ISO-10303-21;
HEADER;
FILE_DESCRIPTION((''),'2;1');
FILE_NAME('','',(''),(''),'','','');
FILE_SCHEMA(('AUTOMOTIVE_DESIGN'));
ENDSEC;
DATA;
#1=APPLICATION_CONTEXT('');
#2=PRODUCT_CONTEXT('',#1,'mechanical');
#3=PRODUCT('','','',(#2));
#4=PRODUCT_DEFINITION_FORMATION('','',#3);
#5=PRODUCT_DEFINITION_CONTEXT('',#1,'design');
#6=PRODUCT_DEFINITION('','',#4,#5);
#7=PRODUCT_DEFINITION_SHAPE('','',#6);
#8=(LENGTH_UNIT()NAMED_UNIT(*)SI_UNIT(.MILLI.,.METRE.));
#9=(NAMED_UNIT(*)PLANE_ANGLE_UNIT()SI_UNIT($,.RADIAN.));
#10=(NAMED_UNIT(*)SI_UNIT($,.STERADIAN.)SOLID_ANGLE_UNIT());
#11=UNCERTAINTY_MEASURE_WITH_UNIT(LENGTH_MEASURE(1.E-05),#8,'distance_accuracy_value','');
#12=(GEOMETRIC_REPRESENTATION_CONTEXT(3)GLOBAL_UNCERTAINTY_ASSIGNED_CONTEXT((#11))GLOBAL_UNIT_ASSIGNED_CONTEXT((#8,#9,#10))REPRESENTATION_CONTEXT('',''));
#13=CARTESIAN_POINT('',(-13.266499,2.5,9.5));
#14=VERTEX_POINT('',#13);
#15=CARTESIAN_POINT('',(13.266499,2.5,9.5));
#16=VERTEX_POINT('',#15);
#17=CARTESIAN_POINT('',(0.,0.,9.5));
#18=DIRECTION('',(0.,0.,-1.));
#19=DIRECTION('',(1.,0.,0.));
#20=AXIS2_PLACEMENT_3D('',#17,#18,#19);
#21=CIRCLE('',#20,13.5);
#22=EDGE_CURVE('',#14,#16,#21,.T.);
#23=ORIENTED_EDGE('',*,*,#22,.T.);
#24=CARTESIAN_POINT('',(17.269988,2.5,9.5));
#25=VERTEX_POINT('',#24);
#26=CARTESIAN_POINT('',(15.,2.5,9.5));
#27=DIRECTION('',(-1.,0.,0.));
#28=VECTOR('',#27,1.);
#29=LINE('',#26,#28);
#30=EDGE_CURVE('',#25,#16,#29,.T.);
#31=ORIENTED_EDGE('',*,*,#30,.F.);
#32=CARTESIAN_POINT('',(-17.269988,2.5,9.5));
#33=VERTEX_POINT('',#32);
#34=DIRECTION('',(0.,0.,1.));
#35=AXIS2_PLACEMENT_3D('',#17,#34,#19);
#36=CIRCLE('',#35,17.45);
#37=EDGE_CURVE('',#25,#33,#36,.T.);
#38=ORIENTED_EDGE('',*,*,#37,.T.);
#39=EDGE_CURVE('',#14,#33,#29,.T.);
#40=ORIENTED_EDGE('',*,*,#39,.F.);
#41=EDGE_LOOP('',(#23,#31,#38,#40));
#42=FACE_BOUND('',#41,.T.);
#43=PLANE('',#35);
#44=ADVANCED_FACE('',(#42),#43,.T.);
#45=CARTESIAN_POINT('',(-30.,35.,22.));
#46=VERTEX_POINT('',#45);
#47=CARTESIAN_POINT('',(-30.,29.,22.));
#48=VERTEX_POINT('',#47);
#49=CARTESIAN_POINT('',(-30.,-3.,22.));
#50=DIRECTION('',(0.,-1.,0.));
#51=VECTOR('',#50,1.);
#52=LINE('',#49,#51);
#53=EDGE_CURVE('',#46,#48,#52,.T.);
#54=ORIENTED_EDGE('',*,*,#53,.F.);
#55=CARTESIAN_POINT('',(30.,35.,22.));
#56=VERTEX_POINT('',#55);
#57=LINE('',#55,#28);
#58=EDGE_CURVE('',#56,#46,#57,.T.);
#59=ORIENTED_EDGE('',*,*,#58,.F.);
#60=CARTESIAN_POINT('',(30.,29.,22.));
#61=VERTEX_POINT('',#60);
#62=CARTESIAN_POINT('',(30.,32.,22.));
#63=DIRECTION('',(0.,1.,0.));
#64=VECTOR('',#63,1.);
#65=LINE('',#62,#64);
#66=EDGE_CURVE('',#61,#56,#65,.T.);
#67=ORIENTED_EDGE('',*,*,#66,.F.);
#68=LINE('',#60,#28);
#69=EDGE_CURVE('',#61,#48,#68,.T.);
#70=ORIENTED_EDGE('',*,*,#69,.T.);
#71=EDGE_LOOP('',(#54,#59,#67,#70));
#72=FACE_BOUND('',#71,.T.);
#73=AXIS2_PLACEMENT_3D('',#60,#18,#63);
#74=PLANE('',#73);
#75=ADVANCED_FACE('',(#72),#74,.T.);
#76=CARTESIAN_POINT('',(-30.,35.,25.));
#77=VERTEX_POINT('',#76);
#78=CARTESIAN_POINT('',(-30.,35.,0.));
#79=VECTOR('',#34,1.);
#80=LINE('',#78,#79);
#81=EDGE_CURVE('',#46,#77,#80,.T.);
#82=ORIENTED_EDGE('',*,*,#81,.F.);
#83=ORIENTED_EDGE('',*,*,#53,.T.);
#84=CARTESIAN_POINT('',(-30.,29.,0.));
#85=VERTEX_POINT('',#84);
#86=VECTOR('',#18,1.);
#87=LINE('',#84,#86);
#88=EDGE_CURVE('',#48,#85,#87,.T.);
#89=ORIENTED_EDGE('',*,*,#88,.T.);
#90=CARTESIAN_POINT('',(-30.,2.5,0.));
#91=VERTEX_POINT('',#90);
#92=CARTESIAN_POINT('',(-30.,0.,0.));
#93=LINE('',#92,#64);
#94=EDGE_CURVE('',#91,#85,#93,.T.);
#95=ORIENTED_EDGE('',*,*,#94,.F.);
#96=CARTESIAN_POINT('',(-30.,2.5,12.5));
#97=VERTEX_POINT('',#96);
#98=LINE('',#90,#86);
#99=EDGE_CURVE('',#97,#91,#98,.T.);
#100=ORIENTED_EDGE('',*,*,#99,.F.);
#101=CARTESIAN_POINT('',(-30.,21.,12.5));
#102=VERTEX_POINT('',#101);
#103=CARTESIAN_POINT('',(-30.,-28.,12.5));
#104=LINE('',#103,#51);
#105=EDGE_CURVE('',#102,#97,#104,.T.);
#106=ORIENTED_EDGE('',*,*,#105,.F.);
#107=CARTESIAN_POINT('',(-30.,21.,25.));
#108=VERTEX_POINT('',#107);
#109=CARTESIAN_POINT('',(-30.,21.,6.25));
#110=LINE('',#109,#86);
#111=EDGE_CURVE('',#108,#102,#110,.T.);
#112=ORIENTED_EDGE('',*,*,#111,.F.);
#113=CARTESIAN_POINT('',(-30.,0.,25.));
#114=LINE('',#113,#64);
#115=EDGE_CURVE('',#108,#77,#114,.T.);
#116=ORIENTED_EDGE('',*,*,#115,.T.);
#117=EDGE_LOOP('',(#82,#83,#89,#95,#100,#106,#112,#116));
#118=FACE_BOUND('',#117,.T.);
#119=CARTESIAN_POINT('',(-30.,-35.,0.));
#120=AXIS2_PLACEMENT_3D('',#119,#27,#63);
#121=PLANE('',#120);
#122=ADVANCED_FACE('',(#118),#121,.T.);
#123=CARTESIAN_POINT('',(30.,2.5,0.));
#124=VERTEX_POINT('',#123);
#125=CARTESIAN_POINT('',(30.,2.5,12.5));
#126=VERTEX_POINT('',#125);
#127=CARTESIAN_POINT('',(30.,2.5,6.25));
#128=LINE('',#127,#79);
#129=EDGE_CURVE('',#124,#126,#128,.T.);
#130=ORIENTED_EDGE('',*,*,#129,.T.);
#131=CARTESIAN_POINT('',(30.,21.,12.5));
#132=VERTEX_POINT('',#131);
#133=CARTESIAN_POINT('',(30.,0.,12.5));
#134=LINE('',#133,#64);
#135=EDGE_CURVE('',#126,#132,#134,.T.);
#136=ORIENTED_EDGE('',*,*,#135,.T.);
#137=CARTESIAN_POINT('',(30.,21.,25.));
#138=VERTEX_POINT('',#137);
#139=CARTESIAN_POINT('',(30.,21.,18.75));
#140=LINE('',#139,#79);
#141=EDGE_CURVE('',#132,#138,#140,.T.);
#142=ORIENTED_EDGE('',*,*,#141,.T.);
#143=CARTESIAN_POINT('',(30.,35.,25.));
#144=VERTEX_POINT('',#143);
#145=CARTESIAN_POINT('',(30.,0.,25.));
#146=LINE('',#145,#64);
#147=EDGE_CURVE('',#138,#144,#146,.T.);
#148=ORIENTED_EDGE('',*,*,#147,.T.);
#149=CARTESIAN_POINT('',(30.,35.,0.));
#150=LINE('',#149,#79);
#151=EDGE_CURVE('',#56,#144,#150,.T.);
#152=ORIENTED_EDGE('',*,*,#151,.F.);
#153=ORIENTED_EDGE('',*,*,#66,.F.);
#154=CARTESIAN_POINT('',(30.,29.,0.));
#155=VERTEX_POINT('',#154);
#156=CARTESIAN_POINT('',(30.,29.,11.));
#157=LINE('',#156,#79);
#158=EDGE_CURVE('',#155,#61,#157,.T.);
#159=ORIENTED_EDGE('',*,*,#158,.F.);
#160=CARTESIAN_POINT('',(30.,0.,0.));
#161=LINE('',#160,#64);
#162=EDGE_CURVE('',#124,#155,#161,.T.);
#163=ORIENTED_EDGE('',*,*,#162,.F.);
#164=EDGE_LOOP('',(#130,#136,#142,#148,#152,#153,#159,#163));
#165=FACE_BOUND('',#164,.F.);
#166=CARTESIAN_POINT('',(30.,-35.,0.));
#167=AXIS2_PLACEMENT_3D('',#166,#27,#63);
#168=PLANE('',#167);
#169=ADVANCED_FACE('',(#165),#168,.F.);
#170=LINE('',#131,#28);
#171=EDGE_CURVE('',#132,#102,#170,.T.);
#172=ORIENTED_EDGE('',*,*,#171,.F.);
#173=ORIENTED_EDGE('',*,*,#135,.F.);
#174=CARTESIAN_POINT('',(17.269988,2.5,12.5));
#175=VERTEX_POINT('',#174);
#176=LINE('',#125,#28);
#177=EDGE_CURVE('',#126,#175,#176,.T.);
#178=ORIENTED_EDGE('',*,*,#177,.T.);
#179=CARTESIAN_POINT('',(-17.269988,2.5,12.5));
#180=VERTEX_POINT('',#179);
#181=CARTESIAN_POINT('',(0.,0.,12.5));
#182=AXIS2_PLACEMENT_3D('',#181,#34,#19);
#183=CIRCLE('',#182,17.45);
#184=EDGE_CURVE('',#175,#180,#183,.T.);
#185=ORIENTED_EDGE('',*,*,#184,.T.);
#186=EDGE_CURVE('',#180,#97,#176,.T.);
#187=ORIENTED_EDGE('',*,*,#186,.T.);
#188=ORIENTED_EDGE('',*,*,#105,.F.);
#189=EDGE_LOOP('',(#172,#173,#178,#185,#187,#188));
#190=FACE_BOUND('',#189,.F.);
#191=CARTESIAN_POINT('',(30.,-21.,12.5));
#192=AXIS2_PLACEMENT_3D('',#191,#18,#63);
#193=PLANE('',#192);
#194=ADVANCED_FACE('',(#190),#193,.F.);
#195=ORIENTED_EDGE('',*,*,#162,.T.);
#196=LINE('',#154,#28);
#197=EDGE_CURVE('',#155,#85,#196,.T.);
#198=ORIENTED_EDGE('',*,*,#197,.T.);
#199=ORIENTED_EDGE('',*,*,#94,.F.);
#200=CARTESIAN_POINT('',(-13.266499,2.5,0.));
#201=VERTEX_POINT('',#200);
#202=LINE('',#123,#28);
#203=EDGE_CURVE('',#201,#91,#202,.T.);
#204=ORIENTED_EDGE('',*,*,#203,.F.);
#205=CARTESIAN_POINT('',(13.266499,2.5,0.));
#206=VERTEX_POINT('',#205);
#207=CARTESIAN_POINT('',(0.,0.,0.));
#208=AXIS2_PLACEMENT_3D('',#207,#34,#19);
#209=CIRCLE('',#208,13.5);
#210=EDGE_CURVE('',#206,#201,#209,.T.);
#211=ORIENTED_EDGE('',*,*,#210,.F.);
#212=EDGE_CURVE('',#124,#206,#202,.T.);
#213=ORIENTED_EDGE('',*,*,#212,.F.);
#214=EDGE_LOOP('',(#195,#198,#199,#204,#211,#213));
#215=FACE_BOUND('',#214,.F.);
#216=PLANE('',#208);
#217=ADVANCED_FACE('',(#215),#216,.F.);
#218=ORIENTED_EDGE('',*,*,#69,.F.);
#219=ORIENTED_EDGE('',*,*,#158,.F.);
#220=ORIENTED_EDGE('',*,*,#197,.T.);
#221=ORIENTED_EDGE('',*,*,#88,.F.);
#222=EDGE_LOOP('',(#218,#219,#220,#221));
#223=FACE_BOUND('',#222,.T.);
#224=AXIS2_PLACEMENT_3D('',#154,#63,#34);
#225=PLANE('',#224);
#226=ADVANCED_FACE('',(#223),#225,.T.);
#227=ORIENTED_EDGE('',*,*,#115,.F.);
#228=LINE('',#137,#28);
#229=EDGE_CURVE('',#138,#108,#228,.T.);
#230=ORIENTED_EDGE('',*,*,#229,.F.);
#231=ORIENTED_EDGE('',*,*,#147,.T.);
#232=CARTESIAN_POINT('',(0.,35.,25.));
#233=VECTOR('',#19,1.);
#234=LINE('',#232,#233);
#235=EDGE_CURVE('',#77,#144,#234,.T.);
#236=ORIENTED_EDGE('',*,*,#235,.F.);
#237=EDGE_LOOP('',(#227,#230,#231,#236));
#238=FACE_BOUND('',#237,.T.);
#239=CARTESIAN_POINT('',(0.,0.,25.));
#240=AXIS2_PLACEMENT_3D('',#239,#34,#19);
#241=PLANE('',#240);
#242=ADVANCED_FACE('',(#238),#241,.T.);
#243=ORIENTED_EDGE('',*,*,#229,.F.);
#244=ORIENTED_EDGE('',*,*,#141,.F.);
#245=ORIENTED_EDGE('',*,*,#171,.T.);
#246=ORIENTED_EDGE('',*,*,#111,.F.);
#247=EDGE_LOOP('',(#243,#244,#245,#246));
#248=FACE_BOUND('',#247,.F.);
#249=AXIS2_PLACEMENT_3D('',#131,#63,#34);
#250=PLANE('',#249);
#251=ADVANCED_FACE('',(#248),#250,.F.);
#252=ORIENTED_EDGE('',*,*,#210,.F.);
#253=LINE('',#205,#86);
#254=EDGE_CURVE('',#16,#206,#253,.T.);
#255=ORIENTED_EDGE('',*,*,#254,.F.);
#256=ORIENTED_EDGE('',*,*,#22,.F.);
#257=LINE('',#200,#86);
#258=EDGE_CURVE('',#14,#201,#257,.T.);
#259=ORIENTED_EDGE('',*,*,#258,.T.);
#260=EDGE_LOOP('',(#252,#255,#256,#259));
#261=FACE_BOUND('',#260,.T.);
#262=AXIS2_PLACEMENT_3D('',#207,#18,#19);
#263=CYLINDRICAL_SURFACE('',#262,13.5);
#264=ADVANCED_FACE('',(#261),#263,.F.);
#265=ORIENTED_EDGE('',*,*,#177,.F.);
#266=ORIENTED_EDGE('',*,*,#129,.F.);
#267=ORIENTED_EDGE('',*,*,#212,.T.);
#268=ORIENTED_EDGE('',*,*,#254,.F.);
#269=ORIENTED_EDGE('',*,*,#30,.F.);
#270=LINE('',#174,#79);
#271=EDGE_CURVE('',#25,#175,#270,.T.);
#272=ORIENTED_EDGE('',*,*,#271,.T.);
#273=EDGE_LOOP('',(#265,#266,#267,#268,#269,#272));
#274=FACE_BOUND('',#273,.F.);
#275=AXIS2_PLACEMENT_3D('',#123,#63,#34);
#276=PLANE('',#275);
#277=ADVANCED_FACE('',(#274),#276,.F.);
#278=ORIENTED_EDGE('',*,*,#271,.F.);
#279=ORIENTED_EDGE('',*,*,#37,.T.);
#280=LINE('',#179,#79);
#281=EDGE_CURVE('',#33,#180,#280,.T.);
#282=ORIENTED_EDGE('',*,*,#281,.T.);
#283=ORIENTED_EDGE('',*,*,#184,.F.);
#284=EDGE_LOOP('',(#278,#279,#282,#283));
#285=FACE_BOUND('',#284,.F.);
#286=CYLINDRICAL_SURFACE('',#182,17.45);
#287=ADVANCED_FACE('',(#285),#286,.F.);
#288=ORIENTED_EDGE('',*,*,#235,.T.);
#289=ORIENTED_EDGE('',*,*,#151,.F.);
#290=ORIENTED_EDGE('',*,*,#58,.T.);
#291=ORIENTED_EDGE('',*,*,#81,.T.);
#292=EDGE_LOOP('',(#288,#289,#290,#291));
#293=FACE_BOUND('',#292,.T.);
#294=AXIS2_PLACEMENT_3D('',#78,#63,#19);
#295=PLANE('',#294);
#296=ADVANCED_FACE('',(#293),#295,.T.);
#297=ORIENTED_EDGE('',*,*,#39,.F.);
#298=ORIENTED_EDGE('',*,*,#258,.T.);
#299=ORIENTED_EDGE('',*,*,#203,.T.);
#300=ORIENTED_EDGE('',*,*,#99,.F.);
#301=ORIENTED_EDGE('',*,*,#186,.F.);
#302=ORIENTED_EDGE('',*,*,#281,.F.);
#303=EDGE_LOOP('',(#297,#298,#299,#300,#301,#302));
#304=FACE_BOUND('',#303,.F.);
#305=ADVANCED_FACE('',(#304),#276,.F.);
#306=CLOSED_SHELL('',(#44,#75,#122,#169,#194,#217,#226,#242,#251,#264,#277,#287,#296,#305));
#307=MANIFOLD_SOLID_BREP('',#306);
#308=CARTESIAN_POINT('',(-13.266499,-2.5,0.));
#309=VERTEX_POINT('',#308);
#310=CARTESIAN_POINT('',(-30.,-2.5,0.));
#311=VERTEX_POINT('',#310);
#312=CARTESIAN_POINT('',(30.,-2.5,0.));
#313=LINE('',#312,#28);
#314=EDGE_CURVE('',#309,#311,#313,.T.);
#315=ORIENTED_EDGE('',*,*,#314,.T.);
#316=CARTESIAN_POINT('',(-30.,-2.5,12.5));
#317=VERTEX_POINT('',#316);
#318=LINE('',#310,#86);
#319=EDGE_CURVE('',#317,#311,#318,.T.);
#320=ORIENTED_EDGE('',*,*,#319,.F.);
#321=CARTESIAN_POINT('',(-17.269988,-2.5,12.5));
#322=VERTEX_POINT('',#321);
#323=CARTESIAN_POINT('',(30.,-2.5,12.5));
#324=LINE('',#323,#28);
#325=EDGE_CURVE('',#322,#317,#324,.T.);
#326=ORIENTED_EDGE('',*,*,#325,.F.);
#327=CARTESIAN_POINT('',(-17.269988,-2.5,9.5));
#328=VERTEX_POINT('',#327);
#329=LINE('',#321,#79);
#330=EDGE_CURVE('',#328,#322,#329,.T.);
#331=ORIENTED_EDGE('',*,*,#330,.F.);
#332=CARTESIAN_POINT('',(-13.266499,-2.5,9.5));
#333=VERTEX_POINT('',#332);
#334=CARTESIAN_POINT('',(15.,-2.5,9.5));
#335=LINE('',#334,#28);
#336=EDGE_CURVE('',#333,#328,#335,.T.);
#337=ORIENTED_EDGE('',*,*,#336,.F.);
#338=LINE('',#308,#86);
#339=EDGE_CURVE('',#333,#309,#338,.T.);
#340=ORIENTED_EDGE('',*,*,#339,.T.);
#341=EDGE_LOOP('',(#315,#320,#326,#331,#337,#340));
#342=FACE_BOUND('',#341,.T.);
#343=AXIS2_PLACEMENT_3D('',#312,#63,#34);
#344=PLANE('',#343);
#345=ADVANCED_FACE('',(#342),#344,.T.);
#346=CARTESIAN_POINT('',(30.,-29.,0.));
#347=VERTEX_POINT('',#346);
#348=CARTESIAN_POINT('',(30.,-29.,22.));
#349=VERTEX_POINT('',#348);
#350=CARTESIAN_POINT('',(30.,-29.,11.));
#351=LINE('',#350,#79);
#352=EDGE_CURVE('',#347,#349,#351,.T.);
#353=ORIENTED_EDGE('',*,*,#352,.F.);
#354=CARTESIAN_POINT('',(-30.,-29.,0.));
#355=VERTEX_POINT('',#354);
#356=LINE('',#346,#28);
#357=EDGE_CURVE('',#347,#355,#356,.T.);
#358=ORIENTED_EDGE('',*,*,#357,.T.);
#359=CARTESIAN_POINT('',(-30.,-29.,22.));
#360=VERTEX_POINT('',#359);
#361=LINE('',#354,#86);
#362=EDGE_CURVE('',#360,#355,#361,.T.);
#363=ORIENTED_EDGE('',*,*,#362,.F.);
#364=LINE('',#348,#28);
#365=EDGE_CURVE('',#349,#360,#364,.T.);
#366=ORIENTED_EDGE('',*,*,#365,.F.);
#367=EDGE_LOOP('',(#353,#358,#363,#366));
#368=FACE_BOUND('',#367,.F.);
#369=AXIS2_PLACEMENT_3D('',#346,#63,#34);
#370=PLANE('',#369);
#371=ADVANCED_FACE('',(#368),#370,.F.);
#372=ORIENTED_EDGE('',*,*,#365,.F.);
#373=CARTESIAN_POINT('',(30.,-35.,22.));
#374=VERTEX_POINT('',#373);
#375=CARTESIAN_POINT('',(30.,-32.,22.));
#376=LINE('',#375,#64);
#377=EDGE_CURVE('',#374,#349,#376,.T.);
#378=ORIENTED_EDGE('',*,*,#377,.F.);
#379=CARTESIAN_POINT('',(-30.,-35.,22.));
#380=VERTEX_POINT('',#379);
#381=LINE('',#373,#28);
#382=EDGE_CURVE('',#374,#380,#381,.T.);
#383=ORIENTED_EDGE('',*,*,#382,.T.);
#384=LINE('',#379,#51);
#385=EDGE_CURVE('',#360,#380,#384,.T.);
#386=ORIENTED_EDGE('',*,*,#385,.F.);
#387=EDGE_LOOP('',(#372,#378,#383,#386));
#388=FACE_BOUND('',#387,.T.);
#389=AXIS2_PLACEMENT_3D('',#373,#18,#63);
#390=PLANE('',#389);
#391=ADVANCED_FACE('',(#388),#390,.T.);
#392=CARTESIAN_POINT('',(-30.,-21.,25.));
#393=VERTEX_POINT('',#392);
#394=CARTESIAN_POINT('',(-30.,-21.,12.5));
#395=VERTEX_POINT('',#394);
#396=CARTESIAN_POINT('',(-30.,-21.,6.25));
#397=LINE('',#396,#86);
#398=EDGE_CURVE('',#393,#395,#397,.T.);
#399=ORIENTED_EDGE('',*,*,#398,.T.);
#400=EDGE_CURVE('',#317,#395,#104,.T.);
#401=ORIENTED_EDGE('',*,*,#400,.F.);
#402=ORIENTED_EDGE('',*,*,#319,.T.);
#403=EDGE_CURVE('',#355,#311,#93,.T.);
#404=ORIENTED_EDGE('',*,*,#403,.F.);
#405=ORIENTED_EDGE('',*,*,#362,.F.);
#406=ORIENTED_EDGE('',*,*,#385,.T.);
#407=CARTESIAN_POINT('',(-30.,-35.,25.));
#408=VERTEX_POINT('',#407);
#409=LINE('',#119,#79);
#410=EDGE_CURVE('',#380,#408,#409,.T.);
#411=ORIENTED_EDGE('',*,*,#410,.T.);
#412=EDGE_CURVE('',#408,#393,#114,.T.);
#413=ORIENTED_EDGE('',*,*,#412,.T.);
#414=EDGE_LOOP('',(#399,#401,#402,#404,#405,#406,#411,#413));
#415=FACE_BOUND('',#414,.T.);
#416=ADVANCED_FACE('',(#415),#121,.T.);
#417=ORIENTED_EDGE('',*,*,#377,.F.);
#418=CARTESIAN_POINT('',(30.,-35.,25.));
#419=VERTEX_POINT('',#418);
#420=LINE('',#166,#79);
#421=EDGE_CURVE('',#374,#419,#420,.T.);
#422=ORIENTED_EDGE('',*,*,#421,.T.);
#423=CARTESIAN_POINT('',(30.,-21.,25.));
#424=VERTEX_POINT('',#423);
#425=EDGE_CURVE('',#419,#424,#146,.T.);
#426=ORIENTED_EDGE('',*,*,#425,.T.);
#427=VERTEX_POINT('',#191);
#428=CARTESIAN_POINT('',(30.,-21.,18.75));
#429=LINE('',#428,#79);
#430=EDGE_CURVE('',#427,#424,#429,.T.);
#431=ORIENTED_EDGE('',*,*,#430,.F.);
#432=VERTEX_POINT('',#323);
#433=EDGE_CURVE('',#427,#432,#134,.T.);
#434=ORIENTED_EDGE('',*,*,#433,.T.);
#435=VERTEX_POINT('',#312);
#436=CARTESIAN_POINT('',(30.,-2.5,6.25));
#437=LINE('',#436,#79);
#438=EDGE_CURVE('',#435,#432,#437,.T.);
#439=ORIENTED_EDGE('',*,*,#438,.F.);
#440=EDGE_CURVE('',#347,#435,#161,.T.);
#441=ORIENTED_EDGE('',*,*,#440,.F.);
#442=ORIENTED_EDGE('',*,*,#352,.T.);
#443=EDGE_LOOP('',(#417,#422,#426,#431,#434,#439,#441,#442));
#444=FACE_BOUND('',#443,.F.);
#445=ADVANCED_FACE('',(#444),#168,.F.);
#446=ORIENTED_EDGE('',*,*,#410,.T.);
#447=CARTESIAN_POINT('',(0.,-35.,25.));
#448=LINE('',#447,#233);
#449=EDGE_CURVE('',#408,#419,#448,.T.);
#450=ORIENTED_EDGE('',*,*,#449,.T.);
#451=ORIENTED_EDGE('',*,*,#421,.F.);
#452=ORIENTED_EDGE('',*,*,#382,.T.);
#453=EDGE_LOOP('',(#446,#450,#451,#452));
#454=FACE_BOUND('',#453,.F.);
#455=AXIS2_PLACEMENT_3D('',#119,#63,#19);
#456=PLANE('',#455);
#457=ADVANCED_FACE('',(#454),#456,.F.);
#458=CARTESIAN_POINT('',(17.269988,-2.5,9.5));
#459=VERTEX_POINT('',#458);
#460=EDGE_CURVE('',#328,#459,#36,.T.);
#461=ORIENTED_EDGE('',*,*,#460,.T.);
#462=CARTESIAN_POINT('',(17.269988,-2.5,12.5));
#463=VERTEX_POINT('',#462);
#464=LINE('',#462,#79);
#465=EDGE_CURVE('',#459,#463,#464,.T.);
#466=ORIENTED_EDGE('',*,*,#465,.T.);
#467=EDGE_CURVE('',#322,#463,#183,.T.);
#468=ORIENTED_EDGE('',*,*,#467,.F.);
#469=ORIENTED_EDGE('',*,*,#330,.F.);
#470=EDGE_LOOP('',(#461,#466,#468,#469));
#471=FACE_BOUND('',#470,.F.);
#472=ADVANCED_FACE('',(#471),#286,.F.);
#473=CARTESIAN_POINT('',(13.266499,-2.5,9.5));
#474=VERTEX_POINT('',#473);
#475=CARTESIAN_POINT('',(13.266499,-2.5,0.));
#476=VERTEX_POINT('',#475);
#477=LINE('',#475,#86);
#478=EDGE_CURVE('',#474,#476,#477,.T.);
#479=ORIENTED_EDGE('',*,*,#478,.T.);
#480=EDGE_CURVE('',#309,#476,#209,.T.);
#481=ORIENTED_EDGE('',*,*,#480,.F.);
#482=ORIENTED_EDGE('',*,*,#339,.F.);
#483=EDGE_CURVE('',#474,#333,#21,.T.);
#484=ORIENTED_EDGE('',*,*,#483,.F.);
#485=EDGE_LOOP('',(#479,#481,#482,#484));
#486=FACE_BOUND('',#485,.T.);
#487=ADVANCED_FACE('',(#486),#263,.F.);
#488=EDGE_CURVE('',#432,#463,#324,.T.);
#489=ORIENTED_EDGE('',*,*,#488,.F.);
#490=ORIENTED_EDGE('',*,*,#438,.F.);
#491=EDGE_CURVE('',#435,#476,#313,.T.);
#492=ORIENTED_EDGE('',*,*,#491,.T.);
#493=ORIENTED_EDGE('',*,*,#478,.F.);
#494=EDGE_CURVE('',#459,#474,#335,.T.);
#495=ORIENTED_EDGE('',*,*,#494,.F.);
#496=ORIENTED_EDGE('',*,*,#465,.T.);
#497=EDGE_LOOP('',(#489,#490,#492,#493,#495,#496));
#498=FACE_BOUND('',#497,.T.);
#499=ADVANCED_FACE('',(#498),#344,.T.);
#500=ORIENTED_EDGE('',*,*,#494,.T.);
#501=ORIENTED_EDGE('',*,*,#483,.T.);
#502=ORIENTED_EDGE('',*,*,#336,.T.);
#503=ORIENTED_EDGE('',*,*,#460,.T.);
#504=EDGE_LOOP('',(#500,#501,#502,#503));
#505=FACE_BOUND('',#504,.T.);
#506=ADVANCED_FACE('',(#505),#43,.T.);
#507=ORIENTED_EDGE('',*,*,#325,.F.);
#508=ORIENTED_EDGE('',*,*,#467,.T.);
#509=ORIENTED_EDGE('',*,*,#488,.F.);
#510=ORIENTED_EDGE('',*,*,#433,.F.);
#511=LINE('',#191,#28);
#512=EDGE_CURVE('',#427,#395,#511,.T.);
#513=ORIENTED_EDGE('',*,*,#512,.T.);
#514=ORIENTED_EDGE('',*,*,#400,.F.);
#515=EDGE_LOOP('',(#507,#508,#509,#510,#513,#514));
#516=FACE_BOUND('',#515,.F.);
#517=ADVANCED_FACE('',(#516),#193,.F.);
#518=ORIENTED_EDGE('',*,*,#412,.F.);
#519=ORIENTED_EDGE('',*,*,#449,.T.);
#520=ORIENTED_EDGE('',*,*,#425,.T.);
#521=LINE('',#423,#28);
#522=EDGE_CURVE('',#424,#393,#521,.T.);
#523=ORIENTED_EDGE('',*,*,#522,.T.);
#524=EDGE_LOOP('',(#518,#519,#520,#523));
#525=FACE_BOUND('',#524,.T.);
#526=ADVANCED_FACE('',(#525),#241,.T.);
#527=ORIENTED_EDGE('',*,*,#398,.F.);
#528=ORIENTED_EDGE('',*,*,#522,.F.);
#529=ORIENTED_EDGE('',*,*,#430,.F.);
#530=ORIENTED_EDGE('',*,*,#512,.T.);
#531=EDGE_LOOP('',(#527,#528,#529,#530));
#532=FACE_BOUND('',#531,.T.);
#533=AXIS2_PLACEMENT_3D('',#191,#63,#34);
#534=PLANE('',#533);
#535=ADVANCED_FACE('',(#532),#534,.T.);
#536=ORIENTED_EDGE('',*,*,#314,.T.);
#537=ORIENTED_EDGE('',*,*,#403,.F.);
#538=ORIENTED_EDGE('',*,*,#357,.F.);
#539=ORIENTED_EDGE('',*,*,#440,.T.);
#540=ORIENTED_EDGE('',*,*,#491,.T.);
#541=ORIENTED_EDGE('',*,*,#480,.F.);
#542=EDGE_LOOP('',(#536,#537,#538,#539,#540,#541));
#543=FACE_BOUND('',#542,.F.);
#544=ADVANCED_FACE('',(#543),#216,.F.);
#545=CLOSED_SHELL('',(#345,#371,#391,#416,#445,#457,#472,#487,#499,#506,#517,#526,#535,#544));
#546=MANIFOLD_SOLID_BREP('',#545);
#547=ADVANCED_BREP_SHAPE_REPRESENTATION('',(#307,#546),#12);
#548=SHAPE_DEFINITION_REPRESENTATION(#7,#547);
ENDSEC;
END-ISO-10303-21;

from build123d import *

# Parameters (mm, degrees)
F0_W      = 60
F0_H      = 70
F0_R      = 13.5
F1_DEPTH  = 25
F2_W      = 6
F2_H      = 22
F3_DEPTH  = 60.001
F4_DEPTH  = 60.001
F5_W      = 42
F5_H      = 12.5
F6_DEPTH  = 60.001
F7_R      = 17.45
F8_DEPTH  = 3
F9_W      = 5
F9_H      = 12.5
F10_DEPTH = 60.001


with BuildPart() as f1:
    # F0 (on Top) → F1 (new body)
    with BuildSketch(Plane.XY):
        Rectangle(F0_W, F0_H)
        Circle(F0_R, mode=Mode.SUBTRACT)
    extrude(amount=F1_DEPTH)

    # F2 (on face) → F3 (cut, through all)
    with BuildSketch(Plane.YZ.offset(30)):
        with Locations((-32, 11)):
            Rectangle(F2_W, F2_H)
    extrude(amount=-F3_DEPTH, mode=Mode.SUBTRACT)

    # F2 (on face) → F4 (cut, through all)
    with BuildSketch(Plane.YZ.offset(30)):
        with Locations((-32, 11)):
            Rectangle(F2_W, F2_H)
        with Locations((32, 11)):
            Rectangle(F2_W, F2_H)
    extrude(amount=-F4_DEPTH, mode=Mode.SUBTRACT)

    # F5 (on face) → F6 (cut, through all)
    with BuildSketch(Plane.YZ.offset(30)):
        with Locations((0, 18.75)):
            Rectangle(F5_W, F5_H)
    extrude(amount=-F6_DEPTH, mode=Mode.SUBTRACT)

    # F7 (on face) → F8 (cut)
    with BuildSketch(Plane.XY.offset(12.5)):
        Circle(F7_R)
    extrude(amount=-F8_DEPTH, mode=Mode.SUBTRACT)

    # F9 (on face) → F10 (cut, through all)
    with BuildSketch(Plane.YZ.offset(30)):
        with Locations((0, 6.25)):
            Rectangle(F9_W, F9_H)
    extrude(amount=-F10_DEPTH, mode=Mode.SUBTRACT)


solid = f1.part
